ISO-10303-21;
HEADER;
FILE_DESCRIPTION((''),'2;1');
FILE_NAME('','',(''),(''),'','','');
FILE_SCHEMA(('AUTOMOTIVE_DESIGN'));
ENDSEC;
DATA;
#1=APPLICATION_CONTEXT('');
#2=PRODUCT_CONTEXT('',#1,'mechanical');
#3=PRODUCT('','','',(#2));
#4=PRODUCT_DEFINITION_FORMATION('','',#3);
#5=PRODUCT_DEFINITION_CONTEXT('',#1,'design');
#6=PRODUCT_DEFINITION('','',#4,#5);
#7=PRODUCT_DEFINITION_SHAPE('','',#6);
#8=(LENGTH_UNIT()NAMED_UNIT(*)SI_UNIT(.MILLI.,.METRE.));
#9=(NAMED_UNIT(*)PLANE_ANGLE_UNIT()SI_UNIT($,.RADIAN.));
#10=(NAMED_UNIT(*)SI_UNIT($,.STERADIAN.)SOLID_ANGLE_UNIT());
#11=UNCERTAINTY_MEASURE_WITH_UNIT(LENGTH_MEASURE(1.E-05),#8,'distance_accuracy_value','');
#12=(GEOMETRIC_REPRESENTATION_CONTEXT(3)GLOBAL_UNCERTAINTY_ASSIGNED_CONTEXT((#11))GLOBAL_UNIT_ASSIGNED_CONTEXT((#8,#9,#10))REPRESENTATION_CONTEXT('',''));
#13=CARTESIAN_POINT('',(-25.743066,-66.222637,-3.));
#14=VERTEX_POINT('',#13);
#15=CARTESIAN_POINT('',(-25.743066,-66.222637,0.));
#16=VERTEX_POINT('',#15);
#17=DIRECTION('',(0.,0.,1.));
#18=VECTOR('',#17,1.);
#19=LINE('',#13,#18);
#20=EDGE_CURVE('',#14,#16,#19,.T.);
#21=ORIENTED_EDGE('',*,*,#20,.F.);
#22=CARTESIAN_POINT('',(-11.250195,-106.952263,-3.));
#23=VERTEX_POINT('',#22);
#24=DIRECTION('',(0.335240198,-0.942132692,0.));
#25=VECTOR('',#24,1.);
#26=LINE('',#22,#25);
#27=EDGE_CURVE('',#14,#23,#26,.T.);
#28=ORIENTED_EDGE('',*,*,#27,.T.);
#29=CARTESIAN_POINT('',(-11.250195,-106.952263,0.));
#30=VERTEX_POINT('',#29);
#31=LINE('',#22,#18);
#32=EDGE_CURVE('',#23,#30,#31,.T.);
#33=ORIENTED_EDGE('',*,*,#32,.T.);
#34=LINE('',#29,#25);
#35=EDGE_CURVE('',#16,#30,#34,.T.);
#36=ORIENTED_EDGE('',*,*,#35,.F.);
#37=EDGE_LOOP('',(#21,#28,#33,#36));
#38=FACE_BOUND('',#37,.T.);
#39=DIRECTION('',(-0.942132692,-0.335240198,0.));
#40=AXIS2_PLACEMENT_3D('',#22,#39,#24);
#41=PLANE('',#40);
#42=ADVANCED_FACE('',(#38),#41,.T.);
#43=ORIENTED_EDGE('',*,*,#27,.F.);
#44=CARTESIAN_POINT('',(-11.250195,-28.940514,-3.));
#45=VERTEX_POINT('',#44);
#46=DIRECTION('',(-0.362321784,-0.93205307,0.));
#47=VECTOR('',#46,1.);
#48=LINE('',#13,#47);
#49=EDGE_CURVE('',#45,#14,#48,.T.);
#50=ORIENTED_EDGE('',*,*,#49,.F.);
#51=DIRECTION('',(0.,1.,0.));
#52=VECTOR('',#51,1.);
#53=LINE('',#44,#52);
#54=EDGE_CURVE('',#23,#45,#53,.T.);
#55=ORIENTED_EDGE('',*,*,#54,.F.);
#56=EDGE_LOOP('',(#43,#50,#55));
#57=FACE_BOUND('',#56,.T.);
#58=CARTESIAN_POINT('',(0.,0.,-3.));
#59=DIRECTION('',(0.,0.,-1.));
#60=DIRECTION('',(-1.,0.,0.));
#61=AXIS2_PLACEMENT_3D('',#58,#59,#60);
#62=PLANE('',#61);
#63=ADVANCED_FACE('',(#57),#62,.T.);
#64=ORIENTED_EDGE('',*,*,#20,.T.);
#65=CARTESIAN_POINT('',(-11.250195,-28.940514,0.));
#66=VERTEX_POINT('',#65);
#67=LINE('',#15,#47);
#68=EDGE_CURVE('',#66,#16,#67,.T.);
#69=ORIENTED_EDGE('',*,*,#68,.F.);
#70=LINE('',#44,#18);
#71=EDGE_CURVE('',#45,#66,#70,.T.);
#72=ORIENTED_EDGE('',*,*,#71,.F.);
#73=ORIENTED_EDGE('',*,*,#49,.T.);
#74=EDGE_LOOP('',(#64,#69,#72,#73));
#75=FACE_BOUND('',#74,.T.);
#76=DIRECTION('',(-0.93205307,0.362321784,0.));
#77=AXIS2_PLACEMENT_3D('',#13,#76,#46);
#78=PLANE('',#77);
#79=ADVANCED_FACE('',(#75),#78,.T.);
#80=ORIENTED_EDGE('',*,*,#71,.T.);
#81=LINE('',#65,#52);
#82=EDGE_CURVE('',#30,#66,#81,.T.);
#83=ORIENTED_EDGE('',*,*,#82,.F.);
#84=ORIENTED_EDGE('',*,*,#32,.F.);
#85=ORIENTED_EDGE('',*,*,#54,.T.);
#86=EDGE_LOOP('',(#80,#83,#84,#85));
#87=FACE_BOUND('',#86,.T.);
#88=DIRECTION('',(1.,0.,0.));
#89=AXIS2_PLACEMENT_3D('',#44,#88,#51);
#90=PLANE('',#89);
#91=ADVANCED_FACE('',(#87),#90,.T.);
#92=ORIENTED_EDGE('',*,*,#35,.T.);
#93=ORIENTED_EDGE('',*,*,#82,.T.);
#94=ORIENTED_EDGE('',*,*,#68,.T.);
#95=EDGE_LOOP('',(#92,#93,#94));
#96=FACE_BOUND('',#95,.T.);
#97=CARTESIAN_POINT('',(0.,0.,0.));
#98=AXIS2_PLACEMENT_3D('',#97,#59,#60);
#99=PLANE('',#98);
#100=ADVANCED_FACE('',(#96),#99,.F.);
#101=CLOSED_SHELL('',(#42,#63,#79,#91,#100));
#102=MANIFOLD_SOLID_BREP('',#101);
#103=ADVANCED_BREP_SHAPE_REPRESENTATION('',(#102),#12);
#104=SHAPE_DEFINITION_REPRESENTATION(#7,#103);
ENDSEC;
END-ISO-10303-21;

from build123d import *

# Parameters (mm, degrees)
BOSS_EXTRU_1_DEPTH = 3


with BuildPart() as part:
    # Esquisse1 → Boss.-Extru.1 (new body)
    with BuildSketch(Plane.XY):
        Polygon((-25.743066416, -66.222637248), (-11.250195051, -28.94051446), (-11.250195051, -106.952263312), align=None)
    extrude(amount=-BOSS_EXTRU_1_DEPTH)


solid = part.part
